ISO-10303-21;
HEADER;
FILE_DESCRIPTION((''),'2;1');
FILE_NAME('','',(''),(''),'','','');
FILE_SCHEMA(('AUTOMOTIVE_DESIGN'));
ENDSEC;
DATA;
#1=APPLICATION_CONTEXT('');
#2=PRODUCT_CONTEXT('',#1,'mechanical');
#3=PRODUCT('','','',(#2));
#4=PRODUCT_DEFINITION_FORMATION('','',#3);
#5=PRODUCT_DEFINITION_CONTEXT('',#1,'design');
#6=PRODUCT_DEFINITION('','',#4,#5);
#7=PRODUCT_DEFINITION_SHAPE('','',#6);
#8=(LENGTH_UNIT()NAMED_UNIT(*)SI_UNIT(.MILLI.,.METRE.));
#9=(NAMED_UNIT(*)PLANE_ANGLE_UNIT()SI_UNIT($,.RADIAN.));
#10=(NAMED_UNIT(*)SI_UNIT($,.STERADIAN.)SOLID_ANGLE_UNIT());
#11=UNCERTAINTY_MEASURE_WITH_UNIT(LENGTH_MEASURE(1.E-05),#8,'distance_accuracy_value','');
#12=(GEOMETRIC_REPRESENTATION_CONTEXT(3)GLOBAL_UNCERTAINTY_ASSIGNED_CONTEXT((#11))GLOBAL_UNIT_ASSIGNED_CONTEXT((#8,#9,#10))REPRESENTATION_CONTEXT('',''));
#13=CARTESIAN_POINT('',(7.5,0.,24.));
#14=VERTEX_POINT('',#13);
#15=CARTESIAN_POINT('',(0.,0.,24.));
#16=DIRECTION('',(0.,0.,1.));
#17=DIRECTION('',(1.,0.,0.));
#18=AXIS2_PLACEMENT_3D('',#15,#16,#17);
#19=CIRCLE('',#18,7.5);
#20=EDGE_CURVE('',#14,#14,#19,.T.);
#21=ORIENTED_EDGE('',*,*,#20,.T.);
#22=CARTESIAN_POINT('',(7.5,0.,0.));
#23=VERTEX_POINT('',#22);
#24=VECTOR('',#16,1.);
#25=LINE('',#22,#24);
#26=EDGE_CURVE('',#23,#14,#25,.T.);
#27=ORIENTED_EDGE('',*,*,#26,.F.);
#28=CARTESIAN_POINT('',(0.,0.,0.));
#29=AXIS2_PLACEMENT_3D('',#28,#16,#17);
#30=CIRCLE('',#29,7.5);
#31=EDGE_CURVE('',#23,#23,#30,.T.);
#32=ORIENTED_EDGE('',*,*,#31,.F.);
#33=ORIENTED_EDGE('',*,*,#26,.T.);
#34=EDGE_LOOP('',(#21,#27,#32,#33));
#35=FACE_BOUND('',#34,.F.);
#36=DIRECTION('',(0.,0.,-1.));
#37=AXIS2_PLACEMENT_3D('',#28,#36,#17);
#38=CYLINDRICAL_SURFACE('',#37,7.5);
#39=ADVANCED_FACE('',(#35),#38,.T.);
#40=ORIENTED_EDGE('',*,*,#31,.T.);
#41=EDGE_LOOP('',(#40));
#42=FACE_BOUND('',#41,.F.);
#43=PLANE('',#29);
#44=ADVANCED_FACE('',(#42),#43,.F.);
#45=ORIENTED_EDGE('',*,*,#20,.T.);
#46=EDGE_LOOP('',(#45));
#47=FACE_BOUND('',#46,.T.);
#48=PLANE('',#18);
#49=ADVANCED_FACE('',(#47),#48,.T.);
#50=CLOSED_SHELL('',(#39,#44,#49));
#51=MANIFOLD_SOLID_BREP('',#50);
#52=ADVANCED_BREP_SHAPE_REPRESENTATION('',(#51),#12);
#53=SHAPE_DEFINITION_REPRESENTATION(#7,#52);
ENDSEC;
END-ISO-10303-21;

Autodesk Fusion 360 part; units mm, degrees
sketch "Sketch1" plane through (0, 0, 0) normal (0, 0, 1) x (1, 0, 0)
  circle A0 centre (0, 0) radius 7.5
  dimension "d1" = 15
extrude "Extrude1" add sketch "Sketch1" along normal blind 24
